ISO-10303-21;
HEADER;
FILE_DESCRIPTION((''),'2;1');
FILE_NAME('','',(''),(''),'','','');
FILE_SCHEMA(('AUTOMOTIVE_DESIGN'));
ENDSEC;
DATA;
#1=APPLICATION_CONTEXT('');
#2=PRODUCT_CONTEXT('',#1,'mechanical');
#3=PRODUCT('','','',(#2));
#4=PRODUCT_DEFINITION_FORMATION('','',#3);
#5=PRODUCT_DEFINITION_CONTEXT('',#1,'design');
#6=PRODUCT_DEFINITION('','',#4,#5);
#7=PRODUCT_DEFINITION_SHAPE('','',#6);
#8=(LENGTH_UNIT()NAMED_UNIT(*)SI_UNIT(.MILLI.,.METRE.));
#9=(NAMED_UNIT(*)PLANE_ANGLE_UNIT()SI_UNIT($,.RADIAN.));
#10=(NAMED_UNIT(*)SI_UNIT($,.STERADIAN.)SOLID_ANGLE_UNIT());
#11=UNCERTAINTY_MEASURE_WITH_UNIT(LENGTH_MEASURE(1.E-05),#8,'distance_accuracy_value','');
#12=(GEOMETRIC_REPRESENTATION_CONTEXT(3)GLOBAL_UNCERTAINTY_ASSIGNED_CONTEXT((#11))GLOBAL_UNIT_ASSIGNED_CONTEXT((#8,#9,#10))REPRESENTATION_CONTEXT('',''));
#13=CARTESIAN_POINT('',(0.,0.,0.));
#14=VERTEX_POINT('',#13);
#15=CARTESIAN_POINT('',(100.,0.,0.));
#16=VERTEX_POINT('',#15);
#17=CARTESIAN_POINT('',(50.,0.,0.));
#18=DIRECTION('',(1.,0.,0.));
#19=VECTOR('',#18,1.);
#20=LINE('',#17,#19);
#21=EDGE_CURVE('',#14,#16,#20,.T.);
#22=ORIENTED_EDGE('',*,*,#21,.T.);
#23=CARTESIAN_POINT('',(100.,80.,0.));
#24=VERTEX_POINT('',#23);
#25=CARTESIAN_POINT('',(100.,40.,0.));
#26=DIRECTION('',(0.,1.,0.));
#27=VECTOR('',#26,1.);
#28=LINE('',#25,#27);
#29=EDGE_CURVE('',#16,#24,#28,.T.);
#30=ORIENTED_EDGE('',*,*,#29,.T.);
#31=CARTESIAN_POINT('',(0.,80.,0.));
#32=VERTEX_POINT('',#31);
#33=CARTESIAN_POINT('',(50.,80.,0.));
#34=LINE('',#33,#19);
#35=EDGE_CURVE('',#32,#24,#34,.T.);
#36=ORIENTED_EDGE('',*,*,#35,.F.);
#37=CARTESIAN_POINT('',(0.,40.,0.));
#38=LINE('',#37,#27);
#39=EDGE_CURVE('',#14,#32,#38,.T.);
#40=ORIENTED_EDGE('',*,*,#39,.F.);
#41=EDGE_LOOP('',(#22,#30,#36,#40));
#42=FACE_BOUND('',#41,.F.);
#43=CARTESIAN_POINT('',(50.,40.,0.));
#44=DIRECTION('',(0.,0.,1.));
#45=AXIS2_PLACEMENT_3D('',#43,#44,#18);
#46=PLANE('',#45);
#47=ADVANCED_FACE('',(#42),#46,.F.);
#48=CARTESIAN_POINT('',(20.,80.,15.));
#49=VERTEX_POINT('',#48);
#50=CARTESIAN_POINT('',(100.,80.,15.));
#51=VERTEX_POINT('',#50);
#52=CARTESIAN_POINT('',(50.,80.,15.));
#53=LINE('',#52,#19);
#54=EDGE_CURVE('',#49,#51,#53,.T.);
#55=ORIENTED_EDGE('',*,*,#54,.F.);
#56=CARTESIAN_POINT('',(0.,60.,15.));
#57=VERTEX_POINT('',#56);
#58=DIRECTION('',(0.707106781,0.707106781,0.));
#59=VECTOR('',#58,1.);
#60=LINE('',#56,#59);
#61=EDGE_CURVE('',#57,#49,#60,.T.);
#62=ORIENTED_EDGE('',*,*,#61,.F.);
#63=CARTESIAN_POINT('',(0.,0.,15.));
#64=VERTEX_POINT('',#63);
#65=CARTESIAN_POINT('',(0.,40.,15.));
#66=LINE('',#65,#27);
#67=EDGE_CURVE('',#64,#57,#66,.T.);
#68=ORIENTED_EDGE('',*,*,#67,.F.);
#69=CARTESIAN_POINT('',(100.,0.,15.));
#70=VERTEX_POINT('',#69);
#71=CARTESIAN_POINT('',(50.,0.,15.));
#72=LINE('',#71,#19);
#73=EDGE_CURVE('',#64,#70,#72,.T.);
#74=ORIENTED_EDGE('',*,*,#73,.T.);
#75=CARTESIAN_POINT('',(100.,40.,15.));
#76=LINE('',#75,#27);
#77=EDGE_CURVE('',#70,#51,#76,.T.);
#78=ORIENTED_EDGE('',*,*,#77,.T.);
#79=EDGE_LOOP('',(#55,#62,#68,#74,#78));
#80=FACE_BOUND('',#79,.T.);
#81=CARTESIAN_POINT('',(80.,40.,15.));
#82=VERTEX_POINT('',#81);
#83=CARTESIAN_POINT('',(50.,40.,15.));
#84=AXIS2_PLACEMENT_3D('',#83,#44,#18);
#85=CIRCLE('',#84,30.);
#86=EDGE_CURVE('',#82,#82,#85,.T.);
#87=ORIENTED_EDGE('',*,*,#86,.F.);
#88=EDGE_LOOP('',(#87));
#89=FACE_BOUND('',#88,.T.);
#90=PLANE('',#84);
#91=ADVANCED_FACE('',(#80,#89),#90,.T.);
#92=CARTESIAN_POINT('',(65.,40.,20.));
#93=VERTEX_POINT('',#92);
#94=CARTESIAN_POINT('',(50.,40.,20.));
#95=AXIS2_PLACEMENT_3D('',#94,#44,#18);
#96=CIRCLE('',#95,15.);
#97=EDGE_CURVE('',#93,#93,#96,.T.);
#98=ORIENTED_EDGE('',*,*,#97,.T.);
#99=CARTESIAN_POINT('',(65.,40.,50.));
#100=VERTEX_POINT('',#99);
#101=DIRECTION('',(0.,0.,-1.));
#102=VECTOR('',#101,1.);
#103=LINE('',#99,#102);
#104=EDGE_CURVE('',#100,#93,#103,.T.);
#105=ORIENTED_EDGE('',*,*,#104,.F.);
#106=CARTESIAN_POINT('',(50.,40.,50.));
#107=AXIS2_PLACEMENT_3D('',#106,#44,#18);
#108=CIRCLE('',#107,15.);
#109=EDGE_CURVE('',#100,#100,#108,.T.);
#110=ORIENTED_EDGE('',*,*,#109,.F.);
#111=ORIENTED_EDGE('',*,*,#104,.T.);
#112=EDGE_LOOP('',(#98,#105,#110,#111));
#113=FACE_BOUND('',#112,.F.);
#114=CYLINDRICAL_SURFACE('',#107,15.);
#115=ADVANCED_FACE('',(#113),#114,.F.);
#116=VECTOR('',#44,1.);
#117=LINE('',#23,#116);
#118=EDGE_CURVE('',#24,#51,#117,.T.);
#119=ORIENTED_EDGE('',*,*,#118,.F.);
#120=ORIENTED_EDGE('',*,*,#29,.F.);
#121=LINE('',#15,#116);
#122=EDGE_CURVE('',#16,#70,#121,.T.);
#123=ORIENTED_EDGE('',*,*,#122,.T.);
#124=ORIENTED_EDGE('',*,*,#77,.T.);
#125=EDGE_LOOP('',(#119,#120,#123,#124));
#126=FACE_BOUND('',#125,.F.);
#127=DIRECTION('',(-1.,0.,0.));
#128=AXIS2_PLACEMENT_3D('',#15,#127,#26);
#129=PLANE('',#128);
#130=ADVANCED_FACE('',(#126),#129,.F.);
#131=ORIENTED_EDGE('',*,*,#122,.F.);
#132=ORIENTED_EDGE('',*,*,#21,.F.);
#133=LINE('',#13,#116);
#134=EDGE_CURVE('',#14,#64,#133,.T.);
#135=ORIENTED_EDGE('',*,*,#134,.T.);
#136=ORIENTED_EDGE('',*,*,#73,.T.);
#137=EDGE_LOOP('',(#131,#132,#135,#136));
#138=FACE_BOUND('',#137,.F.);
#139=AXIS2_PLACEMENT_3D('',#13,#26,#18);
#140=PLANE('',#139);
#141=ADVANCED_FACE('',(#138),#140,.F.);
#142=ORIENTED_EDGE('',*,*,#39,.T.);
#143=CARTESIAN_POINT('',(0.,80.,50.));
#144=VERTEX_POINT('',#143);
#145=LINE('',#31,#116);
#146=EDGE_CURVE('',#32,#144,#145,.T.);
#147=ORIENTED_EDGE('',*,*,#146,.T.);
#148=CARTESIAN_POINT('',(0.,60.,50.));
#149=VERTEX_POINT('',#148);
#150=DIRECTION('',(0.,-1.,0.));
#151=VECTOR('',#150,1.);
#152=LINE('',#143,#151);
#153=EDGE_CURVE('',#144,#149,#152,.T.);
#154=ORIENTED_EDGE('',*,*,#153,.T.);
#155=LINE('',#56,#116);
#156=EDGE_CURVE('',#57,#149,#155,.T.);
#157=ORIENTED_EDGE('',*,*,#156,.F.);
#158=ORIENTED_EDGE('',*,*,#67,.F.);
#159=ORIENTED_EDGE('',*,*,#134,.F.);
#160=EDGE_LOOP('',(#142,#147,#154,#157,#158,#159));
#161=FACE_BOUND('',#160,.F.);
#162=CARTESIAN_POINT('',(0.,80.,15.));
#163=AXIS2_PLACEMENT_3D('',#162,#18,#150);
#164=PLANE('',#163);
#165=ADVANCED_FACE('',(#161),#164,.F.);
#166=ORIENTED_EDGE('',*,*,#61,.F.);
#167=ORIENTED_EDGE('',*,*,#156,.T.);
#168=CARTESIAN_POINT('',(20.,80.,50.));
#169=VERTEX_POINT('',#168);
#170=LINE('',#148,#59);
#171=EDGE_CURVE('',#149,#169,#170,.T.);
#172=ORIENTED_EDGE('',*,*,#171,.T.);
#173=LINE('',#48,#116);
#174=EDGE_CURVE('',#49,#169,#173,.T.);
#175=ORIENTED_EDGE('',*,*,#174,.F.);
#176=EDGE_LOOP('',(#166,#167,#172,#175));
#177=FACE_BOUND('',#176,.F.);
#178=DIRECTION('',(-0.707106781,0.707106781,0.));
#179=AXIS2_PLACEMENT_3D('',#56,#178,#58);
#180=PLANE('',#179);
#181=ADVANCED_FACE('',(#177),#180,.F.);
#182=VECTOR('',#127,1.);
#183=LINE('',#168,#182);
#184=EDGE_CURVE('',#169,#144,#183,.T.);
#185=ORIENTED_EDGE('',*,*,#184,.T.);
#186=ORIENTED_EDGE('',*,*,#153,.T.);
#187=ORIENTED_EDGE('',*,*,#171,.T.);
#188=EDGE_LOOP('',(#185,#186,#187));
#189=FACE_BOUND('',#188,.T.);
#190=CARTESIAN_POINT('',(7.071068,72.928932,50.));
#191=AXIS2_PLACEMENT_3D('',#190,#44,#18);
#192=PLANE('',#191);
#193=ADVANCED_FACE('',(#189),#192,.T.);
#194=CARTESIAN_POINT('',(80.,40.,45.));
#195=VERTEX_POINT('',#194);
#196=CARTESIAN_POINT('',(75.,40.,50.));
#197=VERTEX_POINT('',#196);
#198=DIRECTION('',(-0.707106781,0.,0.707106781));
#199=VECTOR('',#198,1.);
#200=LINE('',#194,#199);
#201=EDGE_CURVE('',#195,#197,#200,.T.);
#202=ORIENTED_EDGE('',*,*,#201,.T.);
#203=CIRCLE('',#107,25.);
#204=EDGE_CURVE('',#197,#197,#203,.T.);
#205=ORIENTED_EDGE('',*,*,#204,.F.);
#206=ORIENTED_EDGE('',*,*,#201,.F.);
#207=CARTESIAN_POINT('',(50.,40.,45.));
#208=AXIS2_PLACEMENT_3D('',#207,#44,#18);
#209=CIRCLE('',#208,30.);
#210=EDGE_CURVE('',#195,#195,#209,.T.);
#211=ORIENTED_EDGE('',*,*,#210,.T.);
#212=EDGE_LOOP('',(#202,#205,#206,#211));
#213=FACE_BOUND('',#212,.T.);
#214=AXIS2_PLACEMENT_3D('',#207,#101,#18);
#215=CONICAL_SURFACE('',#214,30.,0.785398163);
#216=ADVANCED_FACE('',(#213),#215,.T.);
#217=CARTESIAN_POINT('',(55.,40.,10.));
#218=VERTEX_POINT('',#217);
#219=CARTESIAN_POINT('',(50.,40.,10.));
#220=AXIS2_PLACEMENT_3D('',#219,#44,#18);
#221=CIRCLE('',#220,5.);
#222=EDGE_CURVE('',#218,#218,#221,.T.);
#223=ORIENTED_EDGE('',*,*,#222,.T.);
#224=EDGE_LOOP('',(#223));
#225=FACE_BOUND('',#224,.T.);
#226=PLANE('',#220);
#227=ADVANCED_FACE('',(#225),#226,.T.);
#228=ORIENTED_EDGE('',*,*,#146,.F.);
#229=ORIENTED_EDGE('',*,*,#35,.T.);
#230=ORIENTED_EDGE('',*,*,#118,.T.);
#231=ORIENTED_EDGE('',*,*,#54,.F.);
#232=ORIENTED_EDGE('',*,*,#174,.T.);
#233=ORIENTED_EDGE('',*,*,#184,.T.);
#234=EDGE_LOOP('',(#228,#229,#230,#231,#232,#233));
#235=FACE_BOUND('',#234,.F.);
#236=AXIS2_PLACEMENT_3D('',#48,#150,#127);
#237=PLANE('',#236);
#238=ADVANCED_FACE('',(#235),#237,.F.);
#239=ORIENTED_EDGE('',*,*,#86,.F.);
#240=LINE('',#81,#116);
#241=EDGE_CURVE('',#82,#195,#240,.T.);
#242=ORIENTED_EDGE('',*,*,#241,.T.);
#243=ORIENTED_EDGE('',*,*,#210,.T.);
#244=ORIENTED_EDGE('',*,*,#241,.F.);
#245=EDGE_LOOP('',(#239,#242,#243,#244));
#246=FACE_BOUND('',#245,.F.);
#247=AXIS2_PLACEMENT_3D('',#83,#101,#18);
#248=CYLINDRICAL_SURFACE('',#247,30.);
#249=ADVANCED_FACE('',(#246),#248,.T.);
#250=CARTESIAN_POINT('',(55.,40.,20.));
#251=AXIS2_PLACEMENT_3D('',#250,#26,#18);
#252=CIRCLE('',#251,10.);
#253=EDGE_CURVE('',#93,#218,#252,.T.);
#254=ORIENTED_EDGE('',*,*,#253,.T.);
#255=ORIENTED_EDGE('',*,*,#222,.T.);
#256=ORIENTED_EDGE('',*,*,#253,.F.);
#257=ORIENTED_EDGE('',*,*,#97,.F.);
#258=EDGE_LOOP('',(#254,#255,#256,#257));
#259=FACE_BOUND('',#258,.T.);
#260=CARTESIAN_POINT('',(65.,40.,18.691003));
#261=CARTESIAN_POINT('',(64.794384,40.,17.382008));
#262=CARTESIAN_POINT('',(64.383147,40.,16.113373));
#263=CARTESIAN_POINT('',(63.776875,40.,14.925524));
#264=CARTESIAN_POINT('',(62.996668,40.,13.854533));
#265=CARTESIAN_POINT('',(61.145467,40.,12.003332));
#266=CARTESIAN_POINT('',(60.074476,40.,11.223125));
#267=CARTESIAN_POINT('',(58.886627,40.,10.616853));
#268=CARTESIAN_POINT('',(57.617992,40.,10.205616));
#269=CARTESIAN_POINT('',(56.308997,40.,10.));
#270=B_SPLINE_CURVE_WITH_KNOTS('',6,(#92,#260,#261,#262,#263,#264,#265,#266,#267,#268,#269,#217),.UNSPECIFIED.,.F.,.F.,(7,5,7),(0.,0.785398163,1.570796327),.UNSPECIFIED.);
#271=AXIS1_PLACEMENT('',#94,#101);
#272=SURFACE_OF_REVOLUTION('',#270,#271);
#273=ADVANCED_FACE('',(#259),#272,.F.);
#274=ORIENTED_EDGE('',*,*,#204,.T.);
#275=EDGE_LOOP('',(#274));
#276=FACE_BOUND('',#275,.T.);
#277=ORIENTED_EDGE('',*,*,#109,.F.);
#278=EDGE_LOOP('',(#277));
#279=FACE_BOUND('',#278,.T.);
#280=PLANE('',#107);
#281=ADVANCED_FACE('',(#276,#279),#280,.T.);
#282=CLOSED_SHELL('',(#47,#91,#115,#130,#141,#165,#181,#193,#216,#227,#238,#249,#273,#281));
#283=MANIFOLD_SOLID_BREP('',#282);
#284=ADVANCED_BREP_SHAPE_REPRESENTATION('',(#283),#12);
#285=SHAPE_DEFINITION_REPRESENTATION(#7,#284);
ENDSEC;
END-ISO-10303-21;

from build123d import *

# Parameters (mm, degrees)
F0_W     = 100
F0_H     = 80
F1_DEPTH = 15
F3_DEPTH = 35
F4_R     = 30
F5_DEPTH = 35
F6_SIZE  = 5
F7_R     = 15
F8_DEPTH = 40
F9_R     = 10


with BuildPart() as f1:
    # F0 (on Top) → F1 (new body)
    with BuildSketch(Plane.XY):
        with Locations((50, 40)):
            Rectangle(F0_W, F0_H)
    extrude(amount=F1_DEPTH)

    # F2 (on face) → F3 (join)
    with BuildSketch(Plane.XY.offset(15)):
        Polygon((20, 80), (0, 80), (0, 60), align=None)
    extrude(amount=F3_DEPTH)

    # F4 (on face) → F5 (join)
    with BuildSketch(Plane.XY.offset(15)):
        with Locations((50, 40)):
            Circle(F4_R)
    extrude(amount=F5_DEPTH)

    # F6
    f6_edges = [f1.edges().sort_by_distance(p)[0] for p in [
        (20, 40, 50),
    ]]
    chamfer(f6_edges, length=F6_SIZE)

    # F7 (on face) → F8 (cut)
    with BuildSketch(Plane.XY.offset(50)):
        with Locations((50, 40)):
            Circle(F7_R)
    extrude(amount=-F8_DEPTH, mode=Mode.SUBTRACT)

    # F9
    f9_edges = [f1.edges().sort_by_distance(p)[0] for p in [
        (35, 40, 10),
    ]]
    fillet(f9_edges, radius=F9_R)


solid = f1.part
